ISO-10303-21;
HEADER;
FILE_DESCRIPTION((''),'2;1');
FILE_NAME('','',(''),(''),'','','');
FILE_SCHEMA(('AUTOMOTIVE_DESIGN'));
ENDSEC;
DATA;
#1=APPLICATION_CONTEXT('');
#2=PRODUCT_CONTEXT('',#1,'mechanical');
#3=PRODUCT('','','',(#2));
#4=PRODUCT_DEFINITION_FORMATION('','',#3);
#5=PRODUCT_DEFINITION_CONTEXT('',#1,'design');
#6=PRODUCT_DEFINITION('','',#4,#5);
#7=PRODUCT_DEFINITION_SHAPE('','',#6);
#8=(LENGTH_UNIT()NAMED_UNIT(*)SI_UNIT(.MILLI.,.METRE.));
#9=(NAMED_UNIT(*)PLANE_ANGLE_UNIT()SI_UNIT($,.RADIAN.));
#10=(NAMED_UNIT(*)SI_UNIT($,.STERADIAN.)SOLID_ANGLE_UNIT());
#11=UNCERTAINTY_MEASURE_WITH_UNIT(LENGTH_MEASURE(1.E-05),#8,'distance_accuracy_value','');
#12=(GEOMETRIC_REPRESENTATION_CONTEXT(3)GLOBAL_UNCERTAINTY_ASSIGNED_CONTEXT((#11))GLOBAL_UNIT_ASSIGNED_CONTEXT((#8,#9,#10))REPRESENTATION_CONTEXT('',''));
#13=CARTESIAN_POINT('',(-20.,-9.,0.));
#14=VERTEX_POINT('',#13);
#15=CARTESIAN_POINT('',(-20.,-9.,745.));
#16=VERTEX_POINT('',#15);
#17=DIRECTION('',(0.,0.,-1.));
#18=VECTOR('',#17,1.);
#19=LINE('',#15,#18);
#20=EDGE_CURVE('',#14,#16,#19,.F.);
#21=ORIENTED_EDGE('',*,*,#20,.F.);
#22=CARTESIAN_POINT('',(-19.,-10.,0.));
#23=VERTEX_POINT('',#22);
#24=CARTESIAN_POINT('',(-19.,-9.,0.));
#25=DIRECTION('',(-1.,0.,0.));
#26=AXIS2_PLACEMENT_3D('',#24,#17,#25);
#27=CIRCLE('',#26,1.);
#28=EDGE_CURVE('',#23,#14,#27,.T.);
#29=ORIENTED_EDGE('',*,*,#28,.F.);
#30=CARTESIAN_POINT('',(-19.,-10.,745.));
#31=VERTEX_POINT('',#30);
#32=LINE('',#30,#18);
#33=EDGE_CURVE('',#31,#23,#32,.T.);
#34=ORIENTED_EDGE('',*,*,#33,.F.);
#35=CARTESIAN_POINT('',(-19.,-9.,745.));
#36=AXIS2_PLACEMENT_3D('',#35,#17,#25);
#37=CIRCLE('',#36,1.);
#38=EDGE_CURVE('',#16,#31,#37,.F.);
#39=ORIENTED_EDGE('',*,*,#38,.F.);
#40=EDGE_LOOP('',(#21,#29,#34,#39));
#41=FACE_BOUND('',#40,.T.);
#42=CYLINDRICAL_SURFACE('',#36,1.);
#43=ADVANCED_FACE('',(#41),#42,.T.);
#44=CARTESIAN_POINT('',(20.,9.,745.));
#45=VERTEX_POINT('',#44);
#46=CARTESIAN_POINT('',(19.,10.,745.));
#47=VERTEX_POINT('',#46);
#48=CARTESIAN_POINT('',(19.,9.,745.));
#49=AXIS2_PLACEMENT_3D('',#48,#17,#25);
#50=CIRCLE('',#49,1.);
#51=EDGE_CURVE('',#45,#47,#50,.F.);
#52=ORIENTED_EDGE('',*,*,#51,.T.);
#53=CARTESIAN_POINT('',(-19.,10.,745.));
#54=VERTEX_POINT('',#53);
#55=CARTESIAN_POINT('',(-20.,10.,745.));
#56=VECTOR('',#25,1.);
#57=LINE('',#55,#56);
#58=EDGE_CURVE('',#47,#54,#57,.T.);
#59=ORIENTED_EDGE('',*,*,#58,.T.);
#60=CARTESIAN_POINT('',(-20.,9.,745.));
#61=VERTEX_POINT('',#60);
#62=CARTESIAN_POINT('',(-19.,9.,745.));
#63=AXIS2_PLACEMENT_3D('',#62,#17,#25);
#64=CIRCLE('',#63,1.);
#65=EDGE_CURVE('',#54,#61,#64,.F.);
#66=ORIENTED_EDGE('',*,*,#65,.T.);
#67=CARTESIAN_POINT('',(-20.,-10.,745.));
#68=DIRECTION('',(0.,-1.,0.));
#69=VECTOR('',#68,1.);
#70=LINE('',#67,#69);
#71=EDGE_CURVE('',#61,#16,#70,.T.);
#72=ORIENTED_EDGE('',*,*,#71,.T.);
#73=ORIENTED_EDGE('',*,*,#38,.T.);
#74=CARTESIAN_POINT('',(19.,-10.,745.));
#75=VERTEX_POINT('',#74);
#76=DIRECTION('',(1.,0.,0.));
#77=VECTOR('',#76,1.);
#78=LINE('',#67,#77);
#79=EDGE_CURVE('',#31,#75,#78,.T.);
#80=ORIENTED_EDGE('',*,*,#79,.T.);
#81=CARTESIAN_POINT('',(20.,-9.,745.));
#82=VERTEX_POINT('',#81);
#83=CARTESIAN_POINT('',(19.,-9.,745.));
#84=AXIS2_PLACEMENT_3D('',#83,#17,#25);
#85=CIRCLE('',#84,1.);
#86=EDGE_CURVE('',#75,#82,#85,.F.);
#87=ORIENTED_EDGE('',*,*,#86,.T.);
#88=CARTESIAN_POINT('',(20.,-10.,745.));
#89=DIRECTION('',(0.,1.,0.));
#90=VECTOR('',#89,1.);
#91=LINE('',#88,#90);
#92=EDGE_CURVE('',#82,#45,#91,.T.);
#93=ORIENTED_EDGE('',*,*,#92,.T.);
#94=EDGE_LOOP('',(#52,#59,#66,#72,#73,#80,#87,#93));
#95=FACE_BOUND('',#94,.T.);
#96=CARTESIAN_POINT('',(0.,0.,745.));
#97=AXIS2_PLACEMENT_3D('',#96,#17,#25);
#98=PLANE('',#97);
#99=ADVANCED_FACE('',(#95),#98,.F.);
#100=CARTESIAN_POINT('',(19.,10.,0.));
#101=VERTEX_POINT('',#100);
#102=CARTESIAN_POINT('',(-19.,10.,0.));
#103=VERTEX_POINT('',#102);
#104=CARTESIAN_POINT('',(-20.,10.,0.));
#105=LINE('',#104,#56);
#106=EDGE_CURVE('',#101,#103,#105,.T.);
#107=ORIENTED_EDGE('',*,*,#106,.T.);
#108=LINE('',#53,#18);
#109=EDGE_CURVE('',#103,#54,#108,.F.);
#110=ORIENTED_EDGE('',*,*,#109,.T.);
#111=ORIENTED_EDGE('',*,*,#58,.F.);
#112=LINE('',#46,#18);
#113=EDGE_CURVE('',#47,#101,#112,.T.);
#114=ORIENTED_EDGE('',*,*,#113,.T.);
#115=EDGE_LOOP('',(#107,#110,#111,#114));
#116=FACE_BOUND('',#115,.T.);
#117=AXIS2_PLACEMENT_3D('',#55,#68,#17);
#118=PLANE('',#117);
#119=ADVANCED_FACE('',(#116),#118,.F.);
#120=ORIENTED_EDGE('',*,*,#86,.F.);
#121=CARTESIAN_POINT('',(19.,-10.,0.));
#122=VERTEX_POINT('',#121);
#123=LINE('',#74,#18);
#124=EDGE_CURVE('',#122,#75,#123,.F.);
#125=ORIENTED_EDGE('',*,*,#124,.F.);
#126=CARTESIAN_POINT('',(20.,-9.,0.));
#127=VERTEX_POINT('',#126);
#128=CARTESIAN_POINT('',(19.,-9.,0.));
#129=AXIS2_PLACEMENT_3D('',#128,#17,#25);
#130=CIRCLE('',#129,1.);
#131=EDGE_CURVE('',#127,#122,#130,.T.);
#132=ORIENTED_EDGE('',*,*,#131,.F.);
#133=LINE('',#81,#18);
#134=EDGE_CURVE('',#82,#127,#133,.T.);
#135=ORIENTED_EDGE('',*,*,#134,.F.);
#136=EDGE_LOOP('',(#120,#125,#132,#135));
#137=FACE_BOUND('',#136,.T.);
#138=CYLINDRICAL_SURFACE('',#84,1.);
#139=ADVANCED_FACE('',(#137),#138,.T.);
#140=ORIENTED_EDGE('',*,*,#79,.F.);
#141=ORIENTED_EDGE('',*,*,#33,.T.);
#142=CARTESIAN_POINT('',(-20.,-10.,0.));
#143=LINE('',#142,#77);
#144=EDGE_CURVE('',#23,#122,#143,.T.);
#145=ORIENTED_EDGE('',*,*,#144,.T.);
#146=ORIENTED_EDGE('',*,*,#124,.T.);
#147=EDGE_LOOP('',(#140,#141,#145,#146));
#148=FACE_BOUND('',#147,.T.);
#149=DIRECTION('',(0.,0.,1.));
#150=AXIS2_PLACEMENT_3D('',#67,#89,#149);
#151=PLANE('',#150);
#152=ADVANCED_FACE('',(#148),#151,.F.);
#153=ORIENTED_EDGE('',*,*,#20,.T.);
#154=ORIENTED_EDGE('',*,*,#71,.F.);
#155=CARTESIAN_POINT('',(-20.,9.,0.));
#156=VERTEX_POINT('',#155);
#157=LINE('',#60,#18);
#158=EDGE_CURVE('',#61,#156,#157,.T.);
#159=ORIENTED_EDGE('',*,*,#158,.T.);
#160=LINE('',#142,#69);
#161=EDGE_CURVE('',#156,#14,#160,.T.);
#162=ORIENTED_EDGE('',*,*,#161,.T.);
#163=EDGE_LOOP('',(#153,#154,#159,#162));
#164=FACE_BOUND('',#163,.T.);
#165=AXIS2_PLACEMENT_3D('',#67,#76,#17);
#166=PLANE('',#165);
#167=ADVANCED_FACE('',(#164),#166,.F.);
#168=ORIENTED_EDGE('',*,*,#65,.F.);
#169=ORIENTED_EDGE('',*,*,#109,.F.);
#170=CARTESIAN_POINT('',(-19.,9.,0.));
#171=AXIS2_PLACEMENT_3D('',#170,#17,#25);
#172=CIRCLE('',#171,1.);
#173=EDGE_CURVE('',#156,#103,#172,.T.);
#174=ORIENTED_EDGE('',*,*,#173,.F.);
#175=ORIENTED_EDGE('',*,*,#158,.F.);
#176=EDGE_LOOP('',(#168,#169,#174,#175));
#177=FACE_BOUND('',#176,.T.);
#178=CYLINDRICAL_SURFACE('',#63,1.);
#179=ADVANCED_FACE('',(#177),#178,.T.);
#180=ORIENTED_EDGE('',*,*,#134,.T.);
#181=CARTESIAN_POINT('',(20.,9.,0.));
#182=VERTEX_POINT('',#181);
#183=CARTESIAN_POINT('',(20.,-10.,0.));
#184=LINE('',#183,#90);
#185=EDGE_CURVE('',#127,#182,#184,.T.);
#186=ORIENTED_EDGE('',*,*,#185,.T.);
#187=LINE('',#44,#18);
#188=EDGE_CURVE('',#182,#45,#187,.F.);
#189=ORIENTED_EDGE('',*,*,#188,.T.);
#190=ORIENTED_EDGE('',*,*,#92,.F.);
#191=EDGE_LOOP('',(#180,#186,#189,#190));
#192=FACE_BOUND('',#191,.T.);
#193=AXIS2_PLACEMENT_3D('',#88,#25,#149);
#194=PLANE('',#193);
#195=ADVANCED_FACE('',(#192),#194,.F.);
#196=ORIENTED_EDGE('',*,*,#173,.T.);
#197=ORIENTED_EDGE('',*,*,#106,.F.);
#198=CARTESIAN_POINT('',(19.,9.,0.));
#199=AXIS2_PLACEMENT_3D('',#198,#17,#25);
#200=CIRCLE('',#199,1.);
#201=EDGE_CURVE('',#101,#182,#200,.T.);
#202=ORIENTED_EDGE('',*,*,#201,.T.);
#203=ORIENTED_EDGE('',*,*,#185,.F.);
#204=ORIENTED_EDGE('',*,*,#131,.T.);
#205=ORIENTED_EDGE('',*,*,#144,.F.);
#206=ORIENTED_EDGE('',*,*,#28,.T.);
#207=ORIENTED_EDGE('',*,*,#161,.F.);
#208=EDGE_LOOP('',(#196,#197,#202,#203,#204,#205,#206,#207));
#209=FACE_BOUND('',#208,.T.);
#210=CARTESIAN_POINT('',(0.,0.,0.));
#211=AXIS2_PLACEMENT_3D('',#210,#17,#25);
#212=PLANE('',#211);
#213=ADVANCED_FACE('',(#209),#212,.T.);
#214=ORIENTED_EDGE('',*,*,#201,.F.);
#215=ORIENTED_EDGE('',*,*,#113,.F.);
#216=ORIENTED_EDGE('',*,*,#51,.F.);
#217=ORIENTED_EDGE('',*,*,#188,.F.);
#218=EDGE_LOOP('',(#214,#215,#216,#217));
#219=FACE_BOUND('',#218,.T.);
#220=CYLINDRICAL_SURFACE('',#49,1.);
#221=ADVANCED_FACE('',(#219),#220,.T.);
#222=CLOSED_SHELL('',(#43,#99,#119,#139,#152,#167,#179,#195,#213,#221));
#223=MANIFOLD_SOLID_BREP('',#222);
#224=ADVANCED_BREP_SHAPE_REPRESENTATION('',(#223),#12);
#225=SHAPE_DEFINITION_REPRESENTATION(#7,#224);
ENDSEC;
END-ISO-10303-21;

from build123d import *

# Parameters (mm, degrees)
SKETCH1_W           = 40
SKETCH1_H           = 20
BOSS_EXTRUDE1_DEPTH = 745
FILLET1_R           = 1


with BuildPart() as part:
    # Sketch1 → Boss-Extrude1 (new body)
    with BuildSketch(Plane.XY):
        Rectangle(SKETCH1_W, SKETCH1_H)
    extrude(amount=BOSS_EXTRUDE1_DEPTH)

    # Fillet1
    fillet1_edges = [part.edges().sort_by_distance(p)[0] for p in [
        (20, -10, 372.5),
        (-20, -10, 372.5),
        (-20, 10, 372.5),
        (20, 10, 372.5),
    ]]
    fillet(fillet1_edges, radius=FILLET1_R)


solid = part.part
